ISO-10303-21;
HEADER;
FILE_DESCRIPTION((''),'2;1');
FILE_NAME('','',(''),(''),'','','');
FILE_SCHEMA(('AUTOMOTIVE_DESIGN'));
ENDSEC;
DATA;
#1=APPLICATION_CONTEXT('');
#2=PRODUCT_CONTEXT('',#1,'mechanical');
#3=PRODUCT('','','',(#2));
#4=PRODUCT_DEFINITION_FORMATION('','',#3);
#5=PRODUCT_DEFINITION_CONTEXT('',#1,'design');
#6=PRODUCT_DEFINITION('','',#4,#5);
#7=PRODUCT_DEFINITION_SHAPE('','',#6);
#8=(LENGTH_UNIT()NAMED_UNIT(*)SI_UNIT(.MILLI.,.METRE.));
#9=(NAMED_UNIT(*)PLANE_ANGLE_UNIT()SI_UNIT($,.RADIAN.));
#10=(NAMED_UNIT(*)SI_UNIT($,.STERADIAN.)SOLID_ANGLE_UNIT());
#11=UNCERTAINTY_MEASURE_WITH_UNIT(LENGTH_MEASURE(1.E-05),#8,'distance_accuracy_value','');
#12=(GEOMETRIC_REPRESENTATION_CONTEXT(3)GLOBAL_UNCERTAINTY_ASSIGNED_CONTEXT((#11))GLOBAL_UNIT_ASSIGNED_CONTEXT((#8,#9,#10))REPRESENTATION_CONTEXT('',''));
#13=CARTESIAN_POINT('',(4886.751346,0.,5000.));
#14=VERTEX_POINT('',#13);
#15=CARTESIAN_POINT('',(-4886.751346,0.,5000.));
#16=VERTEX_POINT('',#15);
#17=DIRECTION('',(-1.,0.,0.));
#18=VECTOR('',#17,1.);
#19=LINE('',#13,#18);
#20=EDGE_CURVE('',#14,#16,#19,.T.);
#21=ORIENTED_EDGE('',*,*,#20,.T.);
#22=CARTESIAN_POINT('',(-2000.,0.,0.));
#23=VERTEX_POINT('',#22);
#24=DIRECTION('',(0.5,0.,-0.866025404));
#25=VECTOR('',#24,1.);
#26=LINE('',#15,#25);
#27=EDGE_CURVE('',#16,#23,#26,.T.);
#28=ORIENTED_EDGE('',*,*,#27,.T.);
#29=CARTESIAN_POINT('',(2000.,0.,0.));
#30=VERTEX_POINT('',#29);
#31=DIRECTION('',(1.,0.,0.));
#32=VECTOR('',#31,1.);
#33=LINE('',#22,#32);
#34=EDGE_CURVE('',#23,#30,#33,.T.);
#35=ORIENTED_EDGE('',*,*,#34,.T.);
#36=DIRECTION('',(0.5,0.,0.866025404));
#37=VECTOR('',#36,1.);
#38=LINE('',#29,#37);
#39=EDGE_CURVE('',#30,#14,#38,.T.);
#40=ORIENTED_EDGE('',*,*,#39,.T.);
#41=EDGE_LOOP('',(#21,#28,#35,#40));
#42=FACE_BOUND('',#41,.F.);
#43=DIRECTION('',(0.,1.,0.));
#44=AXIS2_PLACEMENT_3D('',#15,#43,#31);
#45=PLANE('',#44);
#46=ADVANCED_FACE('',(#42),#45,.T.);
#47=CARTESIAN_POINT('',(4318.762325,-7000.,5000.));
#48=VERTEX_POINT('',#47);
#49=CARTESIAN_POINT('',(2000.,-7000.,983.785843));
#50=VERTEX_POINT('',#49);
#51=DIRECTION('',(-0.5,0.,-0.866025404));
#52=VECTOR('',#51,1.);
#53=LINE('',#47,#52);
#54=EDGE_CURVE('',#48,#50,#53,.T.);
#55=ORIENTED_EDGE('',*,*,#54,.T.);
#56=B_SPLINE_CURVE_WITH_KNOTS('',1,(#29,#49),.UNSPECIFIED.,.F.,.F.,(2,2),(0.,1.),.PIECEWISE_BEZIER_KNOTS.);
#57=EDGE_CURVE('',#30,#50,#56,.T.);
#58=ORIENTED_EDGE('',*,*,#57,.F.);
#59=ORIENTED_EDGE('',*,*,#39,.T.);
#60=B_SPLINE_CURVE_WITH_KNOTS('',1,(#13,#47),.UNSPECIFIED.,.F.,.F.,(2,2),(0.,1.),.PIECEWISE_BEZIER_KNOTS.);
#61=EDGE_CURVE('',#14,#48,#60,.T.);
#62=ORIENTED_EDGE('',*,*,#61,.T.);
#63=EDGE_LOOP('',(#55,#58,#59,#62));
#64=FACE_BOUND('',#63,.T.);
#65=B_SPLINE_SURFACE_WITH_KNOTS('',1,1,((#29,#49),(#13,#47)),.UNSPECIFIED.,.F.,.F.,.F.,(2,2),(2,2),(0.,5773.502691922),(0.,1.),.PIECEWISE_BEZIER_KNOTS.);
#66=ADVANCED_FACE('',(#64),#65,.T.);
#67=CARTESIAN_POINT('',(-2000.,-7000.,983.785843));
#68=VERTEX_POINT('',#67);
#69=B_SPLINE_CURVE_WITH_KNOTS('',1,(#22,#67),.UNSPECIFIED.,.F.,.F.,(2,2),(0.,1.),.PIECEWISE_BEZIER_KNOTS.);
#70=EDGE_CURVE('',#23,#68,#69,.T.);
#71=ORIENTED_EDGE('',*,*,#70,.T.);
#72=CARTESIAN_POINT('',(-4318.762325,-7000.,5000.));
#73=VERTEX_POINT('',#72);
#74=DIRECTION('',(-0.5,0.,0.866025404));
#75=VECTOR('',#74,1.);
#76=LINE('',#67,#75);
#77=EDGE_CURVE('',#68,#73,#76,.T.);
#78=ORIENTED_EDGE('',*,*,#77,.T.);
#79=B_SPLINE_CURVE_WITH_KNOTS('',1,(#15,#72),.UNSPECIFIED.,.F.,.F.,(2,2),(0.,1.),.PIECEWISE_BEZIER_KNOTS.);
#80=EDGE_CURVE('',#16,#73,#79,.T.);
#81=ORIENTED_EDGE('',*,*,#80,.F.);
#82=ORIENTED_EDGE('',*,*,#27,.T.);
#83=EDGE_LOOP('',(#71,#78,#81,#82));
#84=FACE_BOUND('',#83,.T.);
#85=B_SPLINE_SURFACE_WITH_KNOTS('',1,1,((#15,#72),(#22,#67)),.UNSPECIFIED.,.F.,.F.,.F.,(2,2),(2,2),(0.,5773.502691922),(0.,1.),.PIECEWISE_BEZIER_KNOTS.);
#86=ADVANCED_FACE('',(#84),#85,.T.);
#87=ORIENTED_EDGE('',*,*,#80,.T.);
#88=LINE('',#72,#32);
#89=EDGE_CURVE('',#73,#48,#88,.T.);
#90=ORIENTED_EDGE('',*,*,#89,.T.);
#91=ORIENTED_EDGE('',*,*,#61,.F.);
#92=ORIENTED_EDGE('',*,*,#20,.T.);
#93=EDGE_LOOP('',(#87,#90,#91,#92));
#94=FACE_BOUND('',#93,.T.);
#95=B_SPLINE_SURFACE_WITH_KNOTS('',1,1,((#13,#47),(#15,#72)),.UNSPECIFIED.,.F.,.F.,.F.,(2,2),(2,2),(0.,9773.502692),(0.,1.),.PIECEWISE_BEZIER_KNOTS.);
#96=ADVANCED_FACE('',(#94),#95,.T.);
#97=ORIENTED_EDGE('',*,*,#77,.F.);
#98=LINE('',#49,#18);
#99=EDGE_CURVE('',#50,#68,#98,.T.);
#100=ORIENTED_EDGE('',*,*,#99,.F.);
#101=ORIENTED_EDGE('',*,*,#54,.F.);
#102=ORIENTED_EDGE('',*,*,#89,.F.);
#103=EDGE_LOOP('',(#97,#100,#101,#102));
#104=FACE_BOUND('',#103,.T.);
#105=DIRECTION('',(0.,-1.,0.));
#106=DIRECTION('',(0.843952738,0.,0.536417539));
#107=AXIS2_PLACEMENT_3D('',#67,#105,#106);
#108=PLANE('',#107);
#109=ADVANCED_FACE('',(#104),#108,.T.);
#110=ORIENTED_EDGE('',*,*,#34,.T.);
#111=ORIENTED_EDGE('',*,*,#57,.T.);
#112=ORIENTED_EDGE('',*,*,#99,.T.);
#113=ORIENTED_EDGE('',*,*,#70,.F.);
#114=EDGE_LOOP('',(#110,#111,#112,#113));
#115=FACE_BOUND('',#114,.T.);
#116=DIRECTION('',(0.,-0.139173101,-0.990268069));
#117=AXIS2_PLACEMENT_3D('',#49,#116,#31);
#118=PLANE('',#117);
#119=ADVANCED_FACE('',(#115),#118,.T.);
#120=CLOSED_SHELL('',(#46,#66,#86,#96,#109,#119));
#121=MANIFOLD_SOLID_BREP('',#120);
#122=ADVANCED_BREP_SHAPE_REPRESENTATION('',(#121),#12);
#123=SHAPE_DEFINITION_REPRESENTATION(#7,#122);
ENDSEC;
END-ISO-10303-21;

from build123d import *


with BuildPart() as f4:
    # F0 (on Front) → F4 section 0
    with BuildSketch(Plane.XZ):
        Polygon((-4886.751346, 5000), (-2000, 0), (2000, 0), (4886.751346, 5000), align=None)
    # F3 (on face) → F4 section 1
    with BuildSketch(Plane(origin=(0, -7000, 0), x_dir=(-1, 0, 0), z_dir=(0, 1, 0))):
        Polygon((4318.762325, 5000), (-4318.762325, 5000), (-2000, 983.785843), (2000, 983.785843), align=None)
    loft()


solid = f4.part
